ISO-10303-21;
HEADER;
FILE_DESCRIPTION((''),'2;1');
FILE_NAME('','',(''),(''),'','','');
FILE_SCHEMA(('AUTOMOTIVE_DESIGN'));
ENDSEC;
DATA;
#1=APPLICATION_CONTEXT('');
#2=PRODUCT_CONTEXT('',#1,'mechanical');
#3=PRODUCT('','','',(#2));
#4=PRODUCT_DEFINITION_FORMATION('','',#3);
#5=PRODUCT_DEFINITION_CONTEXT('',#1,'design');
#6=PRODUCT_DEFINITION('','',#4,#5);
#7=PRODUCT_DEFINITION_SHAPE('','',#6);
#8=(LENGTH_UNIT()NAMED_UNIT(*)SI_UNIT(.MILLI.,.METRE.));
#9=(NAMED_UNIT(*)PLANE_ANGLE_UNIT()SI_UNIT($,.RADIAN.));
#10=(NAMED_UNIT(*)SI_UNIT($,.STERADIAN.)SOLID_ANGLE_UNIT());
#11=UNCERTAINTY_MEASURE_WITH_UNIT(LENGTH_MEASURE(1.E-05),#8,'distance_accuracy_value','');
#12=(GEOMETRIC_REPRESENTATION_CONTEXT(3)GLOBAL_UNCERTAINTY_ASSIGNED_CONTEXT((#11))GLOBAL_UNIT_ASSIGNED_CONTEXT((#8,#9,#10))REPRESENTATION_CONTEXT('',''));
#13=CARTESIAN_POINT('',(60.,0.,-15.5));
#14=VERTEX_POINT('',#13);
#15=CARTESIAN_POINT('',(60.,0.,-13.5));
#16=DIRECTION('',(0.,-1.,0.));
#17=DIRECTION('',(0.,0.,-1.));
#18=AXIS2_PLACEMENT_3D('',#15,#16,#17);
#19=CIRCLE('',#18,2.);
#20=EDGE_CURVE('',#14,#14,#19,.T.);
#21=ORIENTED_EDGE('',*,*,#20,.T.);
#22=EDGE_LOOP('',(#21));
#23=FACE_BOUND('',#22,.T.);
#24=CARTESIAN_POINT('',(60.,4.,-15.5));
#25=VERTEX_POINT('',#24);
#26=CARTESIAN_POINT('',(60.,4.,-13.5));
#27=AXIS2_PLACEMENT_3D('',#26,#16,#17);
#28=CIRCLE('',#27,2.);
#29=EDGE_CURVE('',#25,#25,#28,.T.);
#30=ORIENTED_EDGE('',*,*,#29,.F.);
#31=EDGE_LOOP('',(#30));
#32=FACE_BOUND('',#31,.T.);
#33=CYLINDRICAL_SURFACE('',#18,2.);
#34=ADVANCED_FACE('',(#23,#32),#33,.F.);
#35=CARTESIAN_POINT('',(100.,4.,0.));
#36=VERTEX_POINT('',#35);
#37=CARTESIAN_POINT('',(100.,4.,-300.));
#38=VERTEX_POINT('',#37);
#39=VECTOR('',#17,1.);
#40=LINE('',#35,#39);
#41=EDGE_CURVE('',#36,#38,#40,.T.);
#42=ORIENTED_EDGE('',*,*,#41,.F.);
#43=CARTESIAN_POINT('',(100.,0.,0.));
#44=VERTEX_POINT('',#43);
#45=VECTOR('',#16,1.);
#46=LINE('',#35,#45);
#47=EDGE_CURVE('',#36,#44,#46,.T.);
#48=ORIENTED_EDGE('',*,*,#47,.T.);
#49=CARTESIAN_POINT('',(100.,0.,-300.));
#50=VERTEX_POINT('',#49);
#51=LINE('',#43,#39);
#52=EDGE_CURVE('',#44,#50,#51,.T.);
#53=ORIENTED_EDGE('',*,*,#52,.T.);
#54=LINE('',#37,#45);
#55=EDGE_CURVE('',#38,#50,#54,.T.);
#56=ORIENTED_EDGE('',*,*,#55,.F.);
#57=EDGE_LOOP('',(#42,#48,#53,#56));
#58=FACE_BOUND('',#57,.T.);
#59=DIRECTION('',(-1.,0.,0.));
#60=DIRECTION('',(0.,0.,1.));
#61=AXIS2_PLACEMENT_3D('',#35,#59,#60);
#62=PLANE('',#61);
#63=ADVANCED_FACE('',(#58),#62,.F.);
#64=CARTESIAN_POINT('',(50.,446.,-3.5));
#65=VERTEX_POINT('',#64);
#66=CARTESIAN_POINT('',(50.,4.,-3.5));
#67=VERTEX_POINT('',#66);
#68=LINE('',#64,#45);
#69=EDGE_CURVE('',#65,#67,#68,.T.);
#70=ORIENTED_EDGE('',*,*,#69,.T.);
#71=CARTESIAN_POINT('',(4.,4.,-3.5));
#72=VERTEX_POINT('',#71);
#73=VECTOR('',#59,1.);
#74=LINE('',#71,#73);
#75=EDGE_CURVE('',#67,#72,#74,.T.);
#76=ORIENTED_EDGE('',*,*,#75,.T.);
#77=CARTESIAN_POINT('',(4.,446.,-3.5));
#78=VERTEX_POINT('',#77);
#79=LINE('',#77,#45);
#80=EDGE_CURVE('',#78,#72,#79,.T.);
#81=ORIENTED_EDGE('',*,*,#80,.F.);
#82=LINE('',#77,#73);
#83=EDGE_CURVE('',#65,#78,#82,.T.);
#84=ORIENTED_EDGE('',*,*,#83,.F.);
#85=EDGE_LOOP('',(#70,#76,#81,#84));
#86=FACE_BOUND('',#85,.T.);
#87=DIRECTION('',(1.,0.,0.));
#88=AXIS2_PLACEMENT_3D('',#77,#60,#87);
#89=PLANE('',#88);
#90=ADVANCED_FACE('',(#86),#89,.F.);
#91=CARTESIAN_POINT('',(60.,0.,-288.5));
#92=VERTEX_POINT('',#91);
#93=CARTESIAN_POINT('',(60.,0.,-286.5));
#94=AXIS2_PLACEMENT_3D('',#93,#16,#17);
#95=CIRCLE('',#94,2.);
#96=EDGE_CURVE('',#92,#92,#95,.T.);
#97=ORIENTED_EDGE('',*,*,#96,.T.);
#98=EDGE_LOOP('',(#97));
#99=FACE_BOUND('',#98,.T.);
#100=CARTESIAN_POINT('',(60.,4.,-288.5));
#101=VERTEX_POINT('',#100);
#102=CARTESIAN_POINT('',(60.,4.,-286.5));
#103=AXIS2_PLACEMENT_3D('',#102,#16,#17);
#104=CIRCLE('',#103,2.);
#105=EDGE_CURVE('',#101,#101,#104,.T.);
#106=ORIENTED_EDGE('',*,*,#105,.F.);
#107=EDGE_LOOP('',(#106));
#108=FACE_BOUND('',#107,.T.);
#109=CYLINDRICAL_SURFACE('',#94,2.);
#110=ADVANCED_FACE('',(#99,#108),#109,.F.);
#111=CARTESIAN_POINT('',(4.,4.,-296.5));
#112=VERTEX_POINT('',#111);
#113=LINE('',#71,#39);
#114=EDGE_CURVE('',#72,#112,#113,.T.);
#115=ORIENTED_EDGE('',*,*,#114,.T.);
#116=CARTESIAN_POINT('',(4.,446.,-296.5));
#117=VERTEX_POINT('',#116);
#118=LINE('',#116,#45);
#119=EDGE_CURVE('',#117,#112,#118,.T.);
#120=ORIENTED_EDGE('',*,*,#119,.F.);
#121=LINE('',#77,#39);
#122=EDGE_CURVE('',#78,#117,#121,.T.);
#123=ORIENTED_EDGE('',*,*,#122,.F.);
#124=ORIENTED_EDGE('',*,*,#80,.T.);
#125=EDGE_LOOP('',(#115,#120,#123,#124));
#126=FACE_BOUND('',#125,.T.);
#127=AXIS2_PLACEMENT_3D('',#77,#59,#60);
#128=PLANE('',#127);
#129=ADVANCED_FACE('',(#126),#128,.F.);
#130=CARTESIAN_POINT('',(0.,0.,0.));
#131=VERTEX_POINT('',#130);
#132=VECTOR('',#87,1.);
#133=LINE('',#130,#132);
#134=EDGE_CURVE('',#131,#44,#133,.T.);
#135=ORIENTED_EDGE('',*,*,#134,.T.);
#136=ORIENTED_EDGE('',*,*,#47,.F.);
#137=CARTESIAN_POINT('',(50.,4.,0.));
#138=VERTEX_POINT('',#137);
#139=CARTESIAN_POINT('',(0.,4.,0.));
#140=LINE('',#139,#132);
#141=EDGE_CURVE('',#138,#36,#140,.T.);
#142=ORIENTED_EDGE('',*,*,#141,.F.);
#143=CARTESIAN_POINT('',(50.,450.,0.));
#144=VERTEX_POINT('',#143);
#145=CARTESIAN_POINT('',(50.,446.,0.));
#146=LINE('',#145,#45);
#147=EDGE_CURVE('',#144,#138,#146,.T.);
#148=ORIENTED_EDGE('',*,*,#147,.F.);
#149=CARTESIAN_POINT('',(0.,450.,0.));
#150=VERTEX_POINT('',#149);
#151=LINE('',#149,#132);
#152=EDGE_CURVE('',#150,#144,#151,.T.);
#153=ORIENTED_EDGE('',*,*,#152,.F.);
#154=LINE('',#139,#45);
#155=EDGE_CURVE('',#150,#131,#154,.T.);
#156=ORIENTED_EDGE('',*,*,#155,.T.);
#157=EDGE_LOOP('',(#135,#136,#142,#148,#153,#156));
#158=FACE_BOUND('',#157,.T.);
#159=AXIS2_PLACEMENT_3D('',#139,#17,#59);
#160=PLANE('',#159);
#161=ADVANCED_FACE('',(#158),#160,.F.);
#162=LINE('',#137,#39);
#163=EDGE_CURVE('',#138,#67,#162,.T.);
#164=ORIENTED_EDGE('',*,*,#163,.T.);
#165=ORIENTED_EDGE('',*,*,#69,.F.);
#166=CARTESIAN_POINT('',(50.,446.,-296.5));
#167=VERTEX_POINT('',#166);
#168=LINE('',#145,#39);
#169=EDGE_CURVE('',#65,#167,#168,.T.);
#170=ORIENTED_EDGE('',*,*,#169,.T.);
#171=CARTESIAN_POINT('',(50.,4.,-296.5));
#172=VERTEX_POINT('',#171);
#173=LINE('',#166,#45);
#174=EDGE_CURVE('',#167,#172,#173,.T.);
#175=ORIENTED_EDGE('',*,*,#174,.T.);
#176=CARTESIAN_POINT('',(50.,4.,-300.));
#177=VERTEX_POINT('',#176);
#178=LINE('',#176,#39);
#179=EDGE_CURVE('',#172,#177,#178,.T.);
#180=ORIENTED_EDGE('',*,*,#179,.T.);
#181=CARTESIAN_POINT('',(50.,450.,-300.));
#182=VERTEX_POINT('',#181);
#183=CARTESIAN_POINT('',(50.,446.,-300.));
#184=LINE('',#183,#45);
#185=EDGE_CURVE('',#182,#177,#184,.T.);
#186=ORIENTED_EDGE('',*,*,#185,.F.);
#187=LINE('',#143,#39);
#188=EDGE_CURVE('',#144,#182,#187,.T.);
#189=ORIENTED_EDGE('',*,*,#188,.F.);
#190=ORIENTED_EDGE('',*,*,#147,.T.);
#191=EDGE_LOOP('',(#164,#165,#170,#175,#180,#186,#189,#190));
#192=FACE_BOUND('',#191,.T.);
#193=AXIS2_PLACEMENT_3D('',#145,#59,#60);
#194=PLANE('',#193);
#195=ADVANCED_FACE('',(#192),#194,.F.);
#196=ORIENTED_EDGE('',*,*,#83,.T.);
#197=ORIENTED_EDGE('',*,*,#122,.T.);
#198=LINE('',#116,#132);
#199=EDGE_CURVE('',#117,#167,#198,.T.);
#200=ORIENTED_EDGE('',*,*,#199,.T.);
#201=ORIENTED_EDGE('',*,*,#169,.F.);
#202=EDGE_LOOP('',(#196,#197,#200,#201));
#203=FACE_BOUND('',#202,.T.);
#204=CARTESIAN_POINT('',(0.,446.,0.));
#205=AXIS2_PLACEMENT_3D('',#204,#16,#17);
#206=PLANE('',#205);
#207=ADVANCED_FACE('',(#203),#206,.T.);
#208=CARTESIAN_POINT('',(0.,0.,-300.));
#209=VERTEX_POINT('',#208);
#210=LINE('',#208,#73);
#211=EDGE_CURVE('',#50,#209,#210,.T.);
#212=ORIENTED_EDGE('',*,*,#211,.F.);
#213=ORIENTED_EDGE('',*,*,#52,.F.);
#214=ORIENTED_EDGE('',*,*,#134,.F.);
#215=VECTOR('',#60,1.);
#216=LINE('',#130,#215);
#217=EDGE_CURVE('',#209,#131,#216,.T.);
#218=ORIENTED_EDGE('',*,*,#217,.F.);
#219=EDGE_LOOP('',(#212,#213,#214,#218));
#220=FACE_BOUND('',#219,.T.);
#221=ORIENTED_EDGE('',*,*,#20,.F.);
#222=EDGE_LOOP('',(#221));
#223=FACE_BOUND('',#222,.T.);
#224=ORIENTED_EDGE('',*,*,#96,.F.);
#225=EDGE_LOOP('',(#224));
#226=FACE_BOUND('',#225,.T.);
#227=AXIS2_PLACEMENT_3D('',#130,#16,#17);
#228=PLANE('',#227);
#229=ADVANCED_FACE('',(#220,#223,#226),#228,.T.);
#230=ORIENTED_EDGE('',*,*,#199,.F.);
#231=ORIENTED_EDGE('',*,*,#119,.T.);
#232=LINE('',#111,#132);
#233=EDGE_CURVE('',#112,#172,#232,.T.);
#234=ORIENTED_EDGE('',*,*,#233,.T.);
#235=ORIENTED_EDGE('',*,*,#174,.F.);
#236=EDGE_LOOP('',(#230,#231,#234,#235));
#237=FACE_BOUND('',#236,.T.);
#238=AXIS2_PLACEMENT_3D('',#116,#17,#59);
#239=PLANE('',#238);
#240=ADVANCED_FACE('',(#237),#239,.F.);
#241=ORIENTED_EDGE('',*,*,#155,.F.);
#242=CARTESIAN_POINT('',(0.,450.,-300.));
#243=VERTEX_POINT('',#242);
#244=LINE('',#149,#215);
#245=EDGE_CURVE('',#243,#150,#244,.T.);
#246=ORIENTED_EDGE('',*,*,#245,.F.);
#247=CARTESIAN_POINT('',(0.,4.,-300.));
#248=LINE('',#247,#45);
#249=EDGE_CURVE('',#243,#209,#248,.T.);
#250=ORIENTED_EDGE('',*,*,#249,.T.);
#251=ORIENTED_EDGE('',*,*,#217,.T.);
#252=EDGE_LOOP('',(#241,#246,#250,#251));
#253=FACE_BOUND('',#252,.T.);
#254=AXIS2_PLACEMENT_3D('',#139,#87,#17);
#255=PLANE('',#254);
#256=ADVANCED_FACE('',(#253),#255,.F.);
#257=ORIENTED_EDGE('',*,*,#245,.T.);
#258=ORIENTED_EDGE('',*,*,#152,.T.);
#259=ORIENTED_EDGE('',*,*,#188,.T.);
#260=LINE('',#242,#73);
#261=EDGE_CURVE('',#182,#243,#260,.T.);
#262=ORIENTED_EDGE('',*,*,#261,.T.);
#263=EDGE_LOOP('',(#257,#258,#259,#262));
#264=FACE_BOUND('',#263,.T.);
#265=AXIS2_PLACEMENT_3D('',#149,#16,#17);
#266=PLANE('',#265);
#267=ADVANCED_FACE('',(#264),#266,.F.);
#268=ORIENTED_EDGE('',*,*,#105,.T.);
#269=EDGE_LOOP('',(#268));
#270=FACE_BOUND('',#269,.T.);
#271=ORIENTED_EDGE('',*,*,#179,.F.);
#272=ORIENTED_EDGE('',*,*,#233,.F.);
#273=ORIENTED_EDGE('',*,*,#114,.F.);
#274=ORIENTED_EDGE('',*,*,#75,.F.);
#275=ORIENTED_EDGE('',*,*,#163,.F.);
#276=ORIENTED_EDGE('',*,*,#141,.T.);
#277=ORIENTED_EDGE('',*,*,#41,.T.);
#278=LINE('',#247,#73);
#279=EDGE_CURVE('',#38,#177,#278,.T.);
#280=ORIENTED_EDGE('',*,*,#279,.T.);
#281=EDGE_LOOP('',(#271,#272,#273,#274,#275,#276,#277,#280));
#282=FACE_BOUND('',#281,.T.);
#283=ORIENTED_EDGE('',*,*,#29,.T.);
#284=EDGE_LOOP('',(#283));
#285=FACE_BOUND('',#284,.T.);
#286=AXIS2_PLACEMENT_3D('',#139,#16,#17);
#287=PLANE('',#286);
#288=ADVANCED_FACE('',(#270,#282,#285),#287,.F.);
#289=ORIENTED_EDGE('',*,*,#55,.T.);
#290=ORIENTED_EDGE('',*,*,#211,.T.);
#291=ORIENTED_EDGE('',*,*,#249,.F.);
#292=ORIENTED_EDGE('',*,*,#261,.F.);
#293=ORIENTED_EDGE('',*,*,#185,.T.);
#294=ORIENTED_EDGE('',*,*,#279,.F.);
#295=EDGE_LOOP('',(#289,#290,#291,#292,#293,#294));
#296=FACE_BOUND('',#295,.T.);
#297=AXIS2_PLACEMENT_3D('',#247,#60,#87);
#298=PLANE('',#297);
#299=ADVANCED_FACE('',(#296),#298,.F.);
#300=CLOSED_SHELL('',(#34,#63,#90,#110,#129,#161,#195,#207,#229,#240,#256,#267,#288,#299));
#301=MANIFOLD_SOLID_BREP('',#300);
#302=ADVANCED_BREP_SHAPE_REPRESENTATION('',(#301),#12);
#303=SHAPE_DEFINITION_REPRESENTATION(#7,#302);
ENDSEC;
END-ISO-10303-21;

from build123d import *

# Parameters (mm, degrees)
SKETCH_1_W            = 100
SKETCH_1_H            = 300
EXTRUDE_1_DEPTH       = 4
EXTRUDE_2_DEPTH       = 442
SKETCH_3_W            = 50
SKETCH_3_H            = 300
EXTRUDE_3_DEPTH       = 4
HOLE_WIZARD_4_0_4_1_D = 4


with BuildPart() as part:
    # 草图1 → 凸台-拉伸1 (new body)
    with BuildSketch(Plane(origin=(0, 0, 0), x_dir=(1, 0, 0), z_dir=(0, 1, 0))):
        with Locations((50, 150)):
            Rectangle(SKETCH_1_W, SKETCH_1_H)
    extrude(amount=EXTRUDE_1_DEPTH)

    # 草图2 → 凸台-拉伸2 (add)
    with BuildSketch(Plane(origin=(0, 4, 0), x_dir=(1, 0, 0), z_dir=(0, 1, 0))):
        Polygon((0, 0), (8.236039078, 0), (50, 0), (50, 3.5), (4, 3.5), (4, 296.5), (50, 296.5), (50, 300), (8.236039078, 300), (0, 300), align=None)
    extrude(amount=EXTRUDE_2_DEPTH)

    # 草图3 → 凸台-拉伸3 (add)
    with BuildSketch(Plane(origin=(0, 446, 0), x_dir=(1, 0, 0), z_dir=(0, 1, 0))):
        with Locations((25, 150)):
            Rectangle(SKETCH_3_W, SKETCH_3_H)
    extrude(amount=EXTRUDE_3_DEPTH)

    # Ø4.0 (4) 直径孔1 (through all)
    with Locations(Plane(origin=(0, 0, 0), x_dir=(-1, 0, 0), z_dir=(0, -1, 0))):
        with Locations((-60, 13.5), (-60, 286.5)):
            Hole(HOLE_WIZARD_4_0_4_1_D / 2)


solid = part.part
